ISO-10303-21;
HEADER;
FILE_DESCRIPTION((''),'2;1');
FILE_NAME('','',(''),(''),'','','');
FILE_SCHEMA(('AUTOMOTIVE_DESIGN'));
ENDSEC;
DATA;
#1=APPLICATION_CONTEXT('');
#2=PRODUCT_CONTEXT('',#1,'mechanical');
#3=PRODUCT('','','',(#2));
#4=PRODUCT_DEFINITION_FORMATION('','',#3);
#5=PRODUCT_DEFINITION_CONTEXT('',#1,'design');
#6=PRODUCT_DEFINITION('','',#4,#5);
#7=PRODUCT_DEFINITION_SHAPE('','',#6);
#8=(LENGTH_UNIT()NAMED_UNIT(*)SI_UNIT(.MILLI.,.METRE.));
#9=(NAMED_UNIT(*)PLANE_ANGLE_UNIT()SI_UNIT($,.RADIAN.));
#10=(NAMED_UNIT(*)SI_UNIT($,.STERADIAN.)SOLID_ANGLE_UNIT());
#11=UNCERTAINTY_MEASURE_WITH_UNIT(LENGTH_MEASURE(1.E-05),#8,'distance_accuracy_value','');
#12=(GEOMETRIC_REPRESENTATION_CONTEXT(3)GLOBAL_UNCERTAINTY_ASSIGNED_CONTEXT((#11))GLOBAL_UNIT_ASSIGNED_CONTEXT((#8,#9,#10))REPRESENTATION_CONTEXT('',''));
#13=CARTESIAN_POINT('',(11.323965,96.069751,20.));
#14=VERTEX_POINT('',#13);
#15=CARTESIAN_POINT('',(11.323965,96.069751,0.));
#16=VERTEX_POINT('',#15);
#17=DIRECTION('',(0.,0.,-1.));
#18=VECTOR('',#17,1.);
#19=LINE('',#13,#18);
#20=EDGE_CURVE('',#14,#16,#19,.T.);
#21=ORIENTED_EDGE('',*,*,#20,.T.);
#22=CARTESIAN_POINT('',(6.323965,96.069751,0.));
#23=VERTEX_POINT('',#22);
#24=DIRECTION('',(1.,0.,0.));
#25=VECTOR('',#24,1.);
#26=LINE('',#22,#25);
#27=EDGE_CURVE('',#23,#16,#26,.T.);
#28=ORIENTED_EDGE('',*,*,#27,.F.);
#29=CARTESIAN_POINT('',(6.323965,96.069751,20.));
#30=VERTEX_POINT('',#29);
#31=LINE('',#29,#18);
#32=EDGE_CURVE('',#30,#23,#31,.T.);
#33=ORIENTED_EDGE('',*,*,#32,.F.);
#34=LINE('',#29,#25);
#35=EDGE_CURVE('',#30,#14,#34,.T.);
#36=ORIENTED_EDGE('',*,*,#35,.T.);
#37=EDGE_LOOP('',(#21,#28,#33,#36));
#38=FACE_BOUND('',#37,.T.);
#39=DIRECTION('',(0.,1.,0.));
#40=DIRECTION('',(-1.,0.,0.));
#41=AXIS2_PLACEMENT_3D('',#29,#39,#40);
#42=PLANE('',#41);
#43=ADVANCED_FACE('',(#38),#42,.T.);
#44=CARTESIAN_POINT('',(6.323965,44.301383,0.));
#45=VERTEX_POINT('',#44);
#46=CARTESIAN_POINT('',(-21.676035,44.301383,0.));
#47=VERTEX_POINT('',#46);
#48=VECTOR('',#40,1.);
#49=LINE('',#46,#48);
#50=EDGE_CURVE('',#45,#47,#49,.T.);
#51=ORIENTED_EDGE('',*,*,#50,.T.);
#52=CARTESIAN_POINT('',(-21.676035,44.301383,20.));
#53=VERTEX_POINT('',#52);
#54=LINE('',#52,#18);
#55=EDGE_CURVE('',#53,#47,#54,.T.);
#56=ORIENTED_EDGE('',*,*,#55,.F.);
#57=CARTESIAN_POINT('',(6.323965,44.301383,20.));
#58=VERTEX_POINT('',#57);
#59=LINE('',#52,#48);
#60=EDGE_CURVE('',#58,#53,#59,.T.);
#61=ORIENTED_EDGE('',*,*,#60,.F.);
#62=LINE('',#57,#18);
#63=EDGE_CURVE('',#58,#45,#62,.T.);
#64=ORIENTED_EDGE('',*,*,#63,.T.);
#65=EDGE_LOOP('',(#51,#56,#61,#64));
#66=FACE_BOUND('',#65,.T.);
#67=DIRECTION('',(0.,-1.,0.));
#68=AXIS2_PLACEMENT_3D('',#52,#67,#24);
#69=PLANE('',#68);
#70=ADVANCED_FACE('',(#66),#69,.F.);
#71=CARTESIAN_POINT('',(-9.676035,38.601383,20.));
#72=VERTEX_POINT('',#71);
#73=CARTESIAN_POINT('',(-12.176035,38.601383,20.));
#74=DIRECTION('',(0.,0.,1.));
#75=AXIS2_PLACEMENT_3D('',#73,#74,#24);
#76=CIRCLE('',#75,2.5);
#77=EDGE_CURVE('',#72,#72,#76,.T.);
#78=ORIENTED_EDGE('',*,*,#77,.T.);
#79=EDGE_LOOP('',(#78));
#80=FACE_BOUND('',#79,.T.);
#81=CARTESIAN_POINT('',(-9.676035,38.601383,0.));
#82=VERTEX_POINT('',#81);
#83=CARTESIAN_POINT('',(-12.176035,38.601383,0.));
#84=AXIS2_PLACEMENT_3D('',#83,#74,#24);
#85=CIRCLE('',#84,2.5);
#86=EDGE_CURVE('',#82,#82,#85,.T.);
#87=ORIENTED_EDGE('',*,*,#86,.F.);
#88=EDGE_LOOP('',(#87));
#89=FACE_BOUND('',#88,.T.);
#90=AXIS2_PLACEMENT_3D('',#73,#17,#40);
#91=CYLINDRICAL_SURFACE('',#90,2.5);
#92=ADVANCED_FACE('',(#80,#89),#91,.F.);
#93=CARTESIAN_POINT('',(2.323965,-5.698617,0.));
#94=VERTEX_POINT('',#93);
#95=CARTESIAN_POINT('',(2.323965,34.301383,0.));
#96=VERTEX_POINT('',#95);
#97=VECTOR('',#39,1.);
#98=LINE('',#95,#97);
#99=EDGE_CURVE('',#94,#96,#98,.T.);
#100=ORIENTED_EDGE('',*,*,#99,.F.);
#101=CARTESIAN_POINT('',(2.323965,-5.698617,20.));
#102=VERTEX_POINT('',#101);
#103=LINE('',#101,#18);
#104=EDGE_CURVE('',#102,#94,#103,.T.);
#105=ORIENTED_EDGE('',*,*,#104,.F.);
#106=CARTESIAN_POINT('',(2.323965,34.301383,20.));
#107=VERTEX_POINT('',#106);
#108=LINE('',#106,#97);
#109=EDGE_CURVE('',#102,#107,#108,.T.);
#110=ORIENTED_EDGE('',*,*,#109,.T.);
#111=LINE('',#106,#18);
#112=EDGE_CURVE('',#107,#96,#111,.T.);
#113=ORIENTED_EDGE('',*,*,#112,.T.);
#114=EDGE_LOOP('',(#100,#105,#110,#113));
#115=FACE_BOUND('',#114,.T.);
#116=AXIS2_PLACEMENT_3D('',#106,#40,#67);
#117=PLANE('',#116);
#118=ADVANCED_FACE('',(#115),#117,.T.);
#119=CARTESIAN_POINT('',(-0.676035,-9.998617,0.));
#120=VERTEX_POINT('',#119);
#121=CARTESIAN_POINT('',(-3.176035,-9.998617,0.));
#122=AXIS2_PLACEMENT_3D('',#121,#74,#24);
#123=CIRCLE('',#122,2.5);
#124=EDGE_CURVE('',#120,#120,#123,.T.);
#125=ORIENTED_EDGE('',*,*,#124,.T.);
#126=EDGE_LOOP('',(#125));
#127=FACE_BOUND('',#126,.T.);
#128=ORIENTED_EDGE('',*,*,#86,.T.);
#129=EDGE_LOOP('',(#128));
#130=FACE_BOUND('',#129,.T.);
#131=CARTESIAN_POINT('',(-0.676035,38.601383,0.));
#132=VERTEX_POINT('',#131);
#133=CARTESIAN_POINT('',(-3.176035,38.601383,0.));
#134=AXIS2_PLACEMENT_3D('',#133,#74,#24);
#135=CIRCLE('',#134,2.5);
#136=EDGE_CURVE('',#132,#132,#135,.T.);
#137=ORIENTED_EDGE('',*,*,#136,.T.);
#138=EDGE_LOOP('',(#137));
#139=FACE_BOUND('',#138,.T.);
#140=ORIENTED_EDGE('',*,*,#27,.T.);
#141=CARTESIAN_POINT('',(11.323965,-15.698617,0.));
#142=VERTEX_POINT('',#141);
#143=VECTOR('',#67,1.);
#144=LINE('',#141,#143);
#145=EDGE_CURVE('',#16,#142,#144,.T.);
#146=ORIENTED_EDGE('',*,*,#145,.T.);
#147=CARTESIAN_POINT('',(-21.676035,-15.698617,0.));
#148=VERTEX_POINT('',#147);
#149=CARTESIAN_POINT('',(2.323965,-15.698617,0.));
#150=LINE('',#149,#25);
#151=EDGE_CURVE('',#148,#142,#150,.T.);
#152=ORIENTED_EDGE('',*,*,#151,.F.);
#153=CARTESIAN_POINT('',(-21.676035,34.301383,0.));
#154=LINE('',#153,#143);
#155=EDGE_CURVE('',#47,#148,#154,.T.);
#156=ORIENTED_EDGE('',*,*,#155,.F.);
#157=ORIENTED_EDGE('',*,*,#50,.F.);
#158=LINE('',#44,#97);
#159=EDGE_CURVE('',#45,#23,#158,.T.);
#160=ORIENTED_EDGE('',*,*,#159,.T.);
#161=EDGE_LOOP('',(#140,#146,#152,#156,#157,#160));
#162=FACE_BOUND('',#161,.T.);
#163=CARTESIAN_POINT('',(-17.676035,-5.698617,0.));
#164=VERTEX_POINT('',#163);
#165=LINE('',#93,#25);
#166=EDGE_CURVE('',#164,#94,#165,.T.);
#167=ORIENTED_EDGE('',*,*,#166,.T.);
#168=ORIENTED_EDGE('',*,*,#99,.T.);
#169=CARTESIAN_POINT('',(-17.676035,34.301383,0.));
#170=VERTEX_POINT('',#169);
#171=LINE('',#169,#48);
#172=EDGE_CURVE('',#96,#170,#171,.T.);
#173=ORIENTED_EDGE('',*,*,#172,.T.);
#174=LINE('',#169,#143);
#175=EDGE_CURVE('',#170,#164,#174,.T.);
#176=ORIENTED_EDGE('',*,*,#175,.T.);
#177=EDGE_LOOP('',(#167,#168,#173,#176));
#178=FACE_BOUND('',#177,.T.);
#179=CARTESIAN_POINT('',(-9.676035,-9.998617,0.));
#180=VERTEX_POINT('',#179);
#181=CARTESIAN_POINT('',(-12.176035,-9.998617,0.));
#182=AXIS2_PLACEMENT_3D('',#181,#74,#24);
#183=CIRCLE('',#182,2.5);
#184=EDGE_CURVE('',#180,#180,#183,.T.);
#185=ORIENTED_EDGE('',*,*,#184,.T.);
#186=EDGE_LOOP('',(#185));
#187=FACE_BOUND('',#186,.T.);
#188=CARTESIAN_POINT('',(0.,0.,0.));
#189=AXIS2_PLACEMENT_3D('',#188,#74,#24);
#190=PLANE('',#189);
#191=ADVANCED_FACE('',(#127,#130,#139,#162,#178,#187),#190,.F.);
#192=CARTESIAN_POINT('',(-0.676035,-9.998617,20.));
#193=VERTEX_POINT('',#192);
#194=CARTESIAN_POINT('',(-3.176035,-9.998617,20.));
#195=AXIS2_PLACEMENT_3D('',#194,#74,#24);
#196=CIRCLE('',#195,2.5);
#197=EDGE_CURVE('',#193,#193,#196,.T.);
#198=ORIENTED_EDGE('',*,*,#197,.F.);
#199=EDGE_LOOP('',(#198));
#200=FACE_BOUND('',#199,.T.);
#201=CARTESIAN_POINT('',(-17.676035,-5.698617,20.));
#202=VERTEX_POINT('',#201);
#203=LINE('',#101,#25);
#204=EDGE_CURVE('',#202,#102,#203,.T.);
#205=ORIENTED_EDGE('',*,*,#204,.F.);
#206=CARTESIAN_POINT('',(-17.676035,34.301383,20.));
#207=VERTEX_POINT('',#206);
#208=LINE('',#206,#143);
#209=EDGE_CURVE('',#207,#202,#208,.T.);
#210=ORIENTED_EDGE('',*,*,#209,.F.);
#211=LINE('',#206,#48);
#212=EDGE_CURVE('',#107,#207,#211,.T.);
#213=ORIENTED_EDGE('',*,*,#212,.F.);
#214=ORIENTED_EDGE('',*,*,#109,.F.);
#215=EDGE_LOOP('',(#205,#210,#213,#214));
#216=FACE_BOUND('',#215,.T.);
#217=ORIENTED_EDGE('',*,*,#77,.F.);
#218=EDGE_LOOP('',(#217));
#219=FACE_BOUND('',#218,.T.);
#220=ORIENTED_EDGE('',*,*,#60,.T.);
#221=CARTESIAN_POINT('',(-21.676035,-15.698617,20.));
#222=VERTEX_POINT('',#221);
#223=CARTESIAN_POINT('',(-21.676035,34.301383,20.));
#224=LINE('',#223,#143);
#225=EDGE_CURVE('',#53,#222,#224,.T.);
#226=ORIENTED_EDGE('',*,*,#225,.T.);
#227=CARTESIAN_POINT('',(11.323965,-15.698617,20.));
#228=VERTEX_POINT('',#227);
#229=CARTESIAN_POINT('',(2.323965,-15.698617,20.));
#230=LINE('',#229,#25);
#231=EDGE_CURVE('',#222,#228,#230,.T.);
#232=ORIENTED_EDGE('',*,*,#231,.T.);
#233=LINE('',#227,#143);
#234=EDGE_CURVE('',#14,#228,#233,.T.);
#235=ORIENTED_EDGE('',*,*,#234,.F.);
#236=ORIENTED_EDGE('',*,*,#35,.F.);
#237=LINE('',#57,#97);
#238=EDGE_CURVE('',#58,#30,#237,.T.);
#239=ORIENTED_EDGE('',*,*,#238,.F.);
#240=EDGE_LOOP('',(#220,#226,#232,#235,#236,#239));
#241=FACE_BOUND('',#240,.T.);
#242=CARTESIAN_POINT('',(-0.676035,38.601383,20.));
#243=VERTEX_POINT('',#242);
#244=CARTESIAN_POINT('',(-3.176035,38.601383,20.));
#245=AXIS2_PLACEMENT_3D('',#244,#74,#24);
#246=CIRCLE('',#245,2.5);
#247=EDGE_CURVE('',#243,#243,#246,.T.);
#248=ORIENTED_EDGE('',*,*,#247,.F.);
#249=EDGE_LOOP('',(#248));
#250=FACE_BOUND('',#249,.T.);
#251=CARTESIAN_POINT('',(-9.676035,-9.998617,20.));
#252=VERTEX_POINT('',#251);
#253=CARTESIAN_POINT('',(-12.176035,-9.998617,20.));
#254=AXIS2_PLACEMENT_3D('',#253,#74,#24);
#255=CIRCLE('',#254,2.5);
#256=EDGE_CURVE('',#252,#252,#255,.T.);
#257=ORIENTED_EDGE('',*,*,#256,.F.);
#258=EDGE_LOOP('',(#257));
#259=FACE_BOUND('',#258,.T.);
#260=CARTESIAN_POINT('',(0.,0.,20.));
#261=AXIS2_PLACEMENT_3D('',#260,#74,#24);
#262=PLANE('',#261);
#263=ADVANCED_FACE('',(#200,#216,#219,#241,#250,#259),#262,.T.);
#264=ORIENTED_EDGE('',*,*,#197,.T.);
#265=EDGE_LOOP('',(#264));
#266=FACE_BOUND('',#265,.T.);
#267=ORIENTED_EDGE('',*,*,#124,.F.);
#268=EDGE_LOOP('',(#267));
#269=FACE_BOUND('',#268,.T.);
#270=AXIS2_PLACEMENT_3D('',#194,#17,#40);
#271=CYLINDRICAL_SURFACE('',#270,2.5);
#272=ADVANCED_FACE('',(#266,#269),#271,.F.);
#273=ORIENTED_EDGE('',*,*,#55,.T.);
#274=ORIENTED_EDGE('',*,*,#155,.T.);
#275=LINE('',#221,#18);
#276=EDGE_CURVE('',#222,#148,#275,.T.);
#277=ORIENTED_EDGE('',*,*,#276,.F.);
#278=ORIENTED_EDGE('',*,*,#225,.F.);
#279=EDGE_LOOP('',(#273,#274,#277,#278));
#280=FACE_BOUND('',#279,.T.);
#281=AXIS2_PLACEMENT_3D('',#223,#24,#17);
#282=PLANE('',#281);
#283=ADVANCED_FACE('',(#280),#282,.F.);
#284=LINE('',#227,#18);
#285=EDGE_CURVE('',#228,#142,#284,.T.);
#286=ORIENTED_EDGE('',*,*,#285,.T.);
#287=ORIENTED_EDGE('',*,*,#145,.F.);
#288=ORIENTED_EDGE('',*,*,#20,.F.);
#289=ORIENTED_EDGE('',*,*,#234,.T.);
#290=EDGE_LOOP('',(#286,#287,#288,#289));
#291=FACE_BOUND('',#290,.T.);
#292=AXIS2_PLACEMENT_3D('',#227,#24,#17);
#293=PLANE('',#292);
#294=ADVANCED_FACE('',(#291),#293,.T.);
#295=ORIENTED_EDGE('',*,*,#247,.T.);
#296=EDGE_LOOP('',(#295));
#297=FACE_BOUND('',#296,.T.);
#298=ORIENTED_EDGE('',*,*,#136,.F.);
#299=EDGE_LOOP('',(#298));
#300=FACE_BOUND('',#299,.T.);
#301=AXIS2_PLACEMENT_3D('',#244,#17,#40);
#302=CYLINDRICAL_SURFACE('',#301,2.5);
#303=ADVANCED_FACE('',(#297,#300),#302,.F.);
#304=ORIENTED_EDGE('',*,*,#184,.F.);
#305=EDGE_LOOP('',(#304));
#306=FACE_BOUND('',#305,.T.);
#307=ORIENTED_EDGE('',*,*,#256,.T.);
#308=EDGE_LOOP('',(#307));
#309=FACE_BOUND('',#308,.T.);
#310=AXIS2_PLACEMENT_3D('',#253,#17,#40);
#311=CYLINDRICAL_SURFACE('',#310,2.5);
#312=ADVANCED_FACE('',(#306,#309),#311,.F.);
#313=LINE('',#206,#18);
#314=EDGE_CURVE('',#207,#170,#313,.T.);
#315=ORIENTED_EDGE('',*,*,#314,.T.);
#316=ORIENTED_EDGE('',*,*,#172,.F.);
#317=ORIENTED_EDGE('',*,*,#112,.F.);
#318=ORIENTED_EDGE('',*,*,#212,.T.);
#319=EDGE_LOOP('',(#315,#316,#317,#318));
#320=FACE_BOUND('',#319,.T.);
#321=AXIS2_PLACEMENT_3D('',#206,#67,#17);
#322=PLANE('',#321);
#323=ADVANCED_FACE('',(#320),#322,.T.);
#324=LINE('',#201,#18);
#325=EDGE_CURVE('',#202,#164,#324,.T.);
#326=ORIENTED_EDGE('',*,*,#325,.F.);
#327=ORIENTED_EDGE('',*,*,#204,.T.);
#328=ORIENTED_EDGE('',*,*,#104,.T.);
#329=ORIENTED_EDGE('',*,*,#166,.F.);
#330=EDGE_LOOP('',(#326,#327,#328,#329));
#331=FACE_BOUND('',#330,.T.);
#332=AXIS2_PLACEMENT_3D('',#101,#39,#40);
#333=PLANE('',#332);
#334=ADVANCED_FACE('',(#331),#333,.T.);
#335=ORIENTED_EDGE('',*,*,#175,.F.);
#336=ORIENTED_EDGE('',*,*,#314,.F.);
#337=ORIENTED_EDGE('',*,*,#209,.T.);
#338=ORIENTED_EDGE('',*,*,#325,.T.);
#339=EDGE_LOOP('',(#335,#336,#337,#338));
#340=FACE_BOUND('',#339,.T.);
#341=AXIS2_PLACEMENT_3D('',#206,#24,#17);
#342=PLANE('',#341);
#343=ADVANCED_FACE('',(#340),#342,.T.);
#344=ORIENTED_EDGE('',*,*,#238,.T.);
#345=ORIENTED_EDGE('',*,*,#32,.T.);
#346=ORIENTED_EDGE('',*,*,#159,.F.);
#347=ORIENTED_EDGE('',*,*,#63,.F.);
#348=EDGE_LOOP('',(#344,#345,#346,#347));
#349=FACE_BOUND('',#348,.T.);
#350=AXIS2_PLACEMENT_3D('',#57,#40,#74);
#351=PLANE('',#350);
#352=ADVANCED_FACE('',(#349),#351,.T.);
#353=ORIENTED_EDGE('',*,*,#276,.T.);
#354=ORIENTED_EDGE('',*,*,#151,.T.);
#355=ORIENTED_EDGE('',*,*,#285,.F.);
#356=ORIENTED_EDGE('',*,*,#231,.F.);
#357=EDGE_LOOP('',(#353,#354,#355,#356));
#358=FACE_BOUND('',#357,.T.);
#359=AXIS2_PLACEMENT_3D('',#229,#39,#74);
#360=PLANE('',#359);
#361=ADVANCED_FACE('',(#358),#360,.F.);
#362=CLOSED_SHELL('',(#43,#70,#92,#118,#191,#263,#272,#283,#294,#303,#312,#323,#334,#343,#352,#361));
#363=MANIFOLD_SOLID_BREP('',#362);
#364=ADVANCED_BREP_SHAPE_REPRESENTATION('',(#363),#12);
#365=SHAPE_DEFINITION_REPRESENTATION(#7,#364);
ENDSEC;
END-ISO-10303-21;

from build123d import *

# Parameters (mm, degrees)
ESBO_O1_R                = 2.5
ESBO_O1_W                = 20
ESBO_O1_H                = 40
RESSALTO_EXTRUS_O1_DEPTH = 20
RESSALTO_EXTRUS_O2_DEPTH = 20


with BuildPart() as part:
    # Esboço1 → Ressalto-extrusão1 (new body)
    with BuildSketch(Plane.XY):
        Polygon((2.323964608, -15.698616601), (-17.676035392, -15.698616601), (-21.676035392, -15.698616601), (-21.676035392, 34.301383399), (-21.676035392, 44.301383399), (6.323964608, 44.301383399), (6.323964608, 34.301383399), (6.323964608, -15.698616601), align=None)
        with Locations((-12.176035392, -9.998616601)):
            Circle(ESBO_O1_R, mode=Mode.SUBTRACT)
        with Locations((-3.176035392, -9.998616601)):
            Circle(ESBO_O1_R, mode=Mode.SUBTRACT)
        with Locations((-12.176035392, 38.601383399)):
            Circle(ESBO_O1_R, mode=Mode.SUBTRACT)
        with Locations((-3.176035392, 38.601383399)):
            Circle(ESBO_O1_R, mode=Mode.SUBTRACT)
        with Locations((-7.676035392, 14.301383399)):
            Rectangle(ESBO_O1_W, ESBO_O1_H, mode=Mode.SUBTRACT)
    extrude(amount=RESSALTO_EXTRUS_O1_DEPTH)

    # Esboço2 → Ressalto-extrusão2 (add)
    with BuildSketch(Plane(origin=(0, 0, 0), x_dir=(-1, 0, 0), z_dir=(0, 0, -1))):
        Polygon((-6.323964608, 44.301383399), (-6.323964608, -15.698616601), (-11.323964608, -15.698616601), (-11.323964608, 96.069751334), (-6.323964608, 96.069751334), align=None)
    extrude(amount=-RESSALTO_EXTRUS_O2_DEPTH)


solid = part.part
